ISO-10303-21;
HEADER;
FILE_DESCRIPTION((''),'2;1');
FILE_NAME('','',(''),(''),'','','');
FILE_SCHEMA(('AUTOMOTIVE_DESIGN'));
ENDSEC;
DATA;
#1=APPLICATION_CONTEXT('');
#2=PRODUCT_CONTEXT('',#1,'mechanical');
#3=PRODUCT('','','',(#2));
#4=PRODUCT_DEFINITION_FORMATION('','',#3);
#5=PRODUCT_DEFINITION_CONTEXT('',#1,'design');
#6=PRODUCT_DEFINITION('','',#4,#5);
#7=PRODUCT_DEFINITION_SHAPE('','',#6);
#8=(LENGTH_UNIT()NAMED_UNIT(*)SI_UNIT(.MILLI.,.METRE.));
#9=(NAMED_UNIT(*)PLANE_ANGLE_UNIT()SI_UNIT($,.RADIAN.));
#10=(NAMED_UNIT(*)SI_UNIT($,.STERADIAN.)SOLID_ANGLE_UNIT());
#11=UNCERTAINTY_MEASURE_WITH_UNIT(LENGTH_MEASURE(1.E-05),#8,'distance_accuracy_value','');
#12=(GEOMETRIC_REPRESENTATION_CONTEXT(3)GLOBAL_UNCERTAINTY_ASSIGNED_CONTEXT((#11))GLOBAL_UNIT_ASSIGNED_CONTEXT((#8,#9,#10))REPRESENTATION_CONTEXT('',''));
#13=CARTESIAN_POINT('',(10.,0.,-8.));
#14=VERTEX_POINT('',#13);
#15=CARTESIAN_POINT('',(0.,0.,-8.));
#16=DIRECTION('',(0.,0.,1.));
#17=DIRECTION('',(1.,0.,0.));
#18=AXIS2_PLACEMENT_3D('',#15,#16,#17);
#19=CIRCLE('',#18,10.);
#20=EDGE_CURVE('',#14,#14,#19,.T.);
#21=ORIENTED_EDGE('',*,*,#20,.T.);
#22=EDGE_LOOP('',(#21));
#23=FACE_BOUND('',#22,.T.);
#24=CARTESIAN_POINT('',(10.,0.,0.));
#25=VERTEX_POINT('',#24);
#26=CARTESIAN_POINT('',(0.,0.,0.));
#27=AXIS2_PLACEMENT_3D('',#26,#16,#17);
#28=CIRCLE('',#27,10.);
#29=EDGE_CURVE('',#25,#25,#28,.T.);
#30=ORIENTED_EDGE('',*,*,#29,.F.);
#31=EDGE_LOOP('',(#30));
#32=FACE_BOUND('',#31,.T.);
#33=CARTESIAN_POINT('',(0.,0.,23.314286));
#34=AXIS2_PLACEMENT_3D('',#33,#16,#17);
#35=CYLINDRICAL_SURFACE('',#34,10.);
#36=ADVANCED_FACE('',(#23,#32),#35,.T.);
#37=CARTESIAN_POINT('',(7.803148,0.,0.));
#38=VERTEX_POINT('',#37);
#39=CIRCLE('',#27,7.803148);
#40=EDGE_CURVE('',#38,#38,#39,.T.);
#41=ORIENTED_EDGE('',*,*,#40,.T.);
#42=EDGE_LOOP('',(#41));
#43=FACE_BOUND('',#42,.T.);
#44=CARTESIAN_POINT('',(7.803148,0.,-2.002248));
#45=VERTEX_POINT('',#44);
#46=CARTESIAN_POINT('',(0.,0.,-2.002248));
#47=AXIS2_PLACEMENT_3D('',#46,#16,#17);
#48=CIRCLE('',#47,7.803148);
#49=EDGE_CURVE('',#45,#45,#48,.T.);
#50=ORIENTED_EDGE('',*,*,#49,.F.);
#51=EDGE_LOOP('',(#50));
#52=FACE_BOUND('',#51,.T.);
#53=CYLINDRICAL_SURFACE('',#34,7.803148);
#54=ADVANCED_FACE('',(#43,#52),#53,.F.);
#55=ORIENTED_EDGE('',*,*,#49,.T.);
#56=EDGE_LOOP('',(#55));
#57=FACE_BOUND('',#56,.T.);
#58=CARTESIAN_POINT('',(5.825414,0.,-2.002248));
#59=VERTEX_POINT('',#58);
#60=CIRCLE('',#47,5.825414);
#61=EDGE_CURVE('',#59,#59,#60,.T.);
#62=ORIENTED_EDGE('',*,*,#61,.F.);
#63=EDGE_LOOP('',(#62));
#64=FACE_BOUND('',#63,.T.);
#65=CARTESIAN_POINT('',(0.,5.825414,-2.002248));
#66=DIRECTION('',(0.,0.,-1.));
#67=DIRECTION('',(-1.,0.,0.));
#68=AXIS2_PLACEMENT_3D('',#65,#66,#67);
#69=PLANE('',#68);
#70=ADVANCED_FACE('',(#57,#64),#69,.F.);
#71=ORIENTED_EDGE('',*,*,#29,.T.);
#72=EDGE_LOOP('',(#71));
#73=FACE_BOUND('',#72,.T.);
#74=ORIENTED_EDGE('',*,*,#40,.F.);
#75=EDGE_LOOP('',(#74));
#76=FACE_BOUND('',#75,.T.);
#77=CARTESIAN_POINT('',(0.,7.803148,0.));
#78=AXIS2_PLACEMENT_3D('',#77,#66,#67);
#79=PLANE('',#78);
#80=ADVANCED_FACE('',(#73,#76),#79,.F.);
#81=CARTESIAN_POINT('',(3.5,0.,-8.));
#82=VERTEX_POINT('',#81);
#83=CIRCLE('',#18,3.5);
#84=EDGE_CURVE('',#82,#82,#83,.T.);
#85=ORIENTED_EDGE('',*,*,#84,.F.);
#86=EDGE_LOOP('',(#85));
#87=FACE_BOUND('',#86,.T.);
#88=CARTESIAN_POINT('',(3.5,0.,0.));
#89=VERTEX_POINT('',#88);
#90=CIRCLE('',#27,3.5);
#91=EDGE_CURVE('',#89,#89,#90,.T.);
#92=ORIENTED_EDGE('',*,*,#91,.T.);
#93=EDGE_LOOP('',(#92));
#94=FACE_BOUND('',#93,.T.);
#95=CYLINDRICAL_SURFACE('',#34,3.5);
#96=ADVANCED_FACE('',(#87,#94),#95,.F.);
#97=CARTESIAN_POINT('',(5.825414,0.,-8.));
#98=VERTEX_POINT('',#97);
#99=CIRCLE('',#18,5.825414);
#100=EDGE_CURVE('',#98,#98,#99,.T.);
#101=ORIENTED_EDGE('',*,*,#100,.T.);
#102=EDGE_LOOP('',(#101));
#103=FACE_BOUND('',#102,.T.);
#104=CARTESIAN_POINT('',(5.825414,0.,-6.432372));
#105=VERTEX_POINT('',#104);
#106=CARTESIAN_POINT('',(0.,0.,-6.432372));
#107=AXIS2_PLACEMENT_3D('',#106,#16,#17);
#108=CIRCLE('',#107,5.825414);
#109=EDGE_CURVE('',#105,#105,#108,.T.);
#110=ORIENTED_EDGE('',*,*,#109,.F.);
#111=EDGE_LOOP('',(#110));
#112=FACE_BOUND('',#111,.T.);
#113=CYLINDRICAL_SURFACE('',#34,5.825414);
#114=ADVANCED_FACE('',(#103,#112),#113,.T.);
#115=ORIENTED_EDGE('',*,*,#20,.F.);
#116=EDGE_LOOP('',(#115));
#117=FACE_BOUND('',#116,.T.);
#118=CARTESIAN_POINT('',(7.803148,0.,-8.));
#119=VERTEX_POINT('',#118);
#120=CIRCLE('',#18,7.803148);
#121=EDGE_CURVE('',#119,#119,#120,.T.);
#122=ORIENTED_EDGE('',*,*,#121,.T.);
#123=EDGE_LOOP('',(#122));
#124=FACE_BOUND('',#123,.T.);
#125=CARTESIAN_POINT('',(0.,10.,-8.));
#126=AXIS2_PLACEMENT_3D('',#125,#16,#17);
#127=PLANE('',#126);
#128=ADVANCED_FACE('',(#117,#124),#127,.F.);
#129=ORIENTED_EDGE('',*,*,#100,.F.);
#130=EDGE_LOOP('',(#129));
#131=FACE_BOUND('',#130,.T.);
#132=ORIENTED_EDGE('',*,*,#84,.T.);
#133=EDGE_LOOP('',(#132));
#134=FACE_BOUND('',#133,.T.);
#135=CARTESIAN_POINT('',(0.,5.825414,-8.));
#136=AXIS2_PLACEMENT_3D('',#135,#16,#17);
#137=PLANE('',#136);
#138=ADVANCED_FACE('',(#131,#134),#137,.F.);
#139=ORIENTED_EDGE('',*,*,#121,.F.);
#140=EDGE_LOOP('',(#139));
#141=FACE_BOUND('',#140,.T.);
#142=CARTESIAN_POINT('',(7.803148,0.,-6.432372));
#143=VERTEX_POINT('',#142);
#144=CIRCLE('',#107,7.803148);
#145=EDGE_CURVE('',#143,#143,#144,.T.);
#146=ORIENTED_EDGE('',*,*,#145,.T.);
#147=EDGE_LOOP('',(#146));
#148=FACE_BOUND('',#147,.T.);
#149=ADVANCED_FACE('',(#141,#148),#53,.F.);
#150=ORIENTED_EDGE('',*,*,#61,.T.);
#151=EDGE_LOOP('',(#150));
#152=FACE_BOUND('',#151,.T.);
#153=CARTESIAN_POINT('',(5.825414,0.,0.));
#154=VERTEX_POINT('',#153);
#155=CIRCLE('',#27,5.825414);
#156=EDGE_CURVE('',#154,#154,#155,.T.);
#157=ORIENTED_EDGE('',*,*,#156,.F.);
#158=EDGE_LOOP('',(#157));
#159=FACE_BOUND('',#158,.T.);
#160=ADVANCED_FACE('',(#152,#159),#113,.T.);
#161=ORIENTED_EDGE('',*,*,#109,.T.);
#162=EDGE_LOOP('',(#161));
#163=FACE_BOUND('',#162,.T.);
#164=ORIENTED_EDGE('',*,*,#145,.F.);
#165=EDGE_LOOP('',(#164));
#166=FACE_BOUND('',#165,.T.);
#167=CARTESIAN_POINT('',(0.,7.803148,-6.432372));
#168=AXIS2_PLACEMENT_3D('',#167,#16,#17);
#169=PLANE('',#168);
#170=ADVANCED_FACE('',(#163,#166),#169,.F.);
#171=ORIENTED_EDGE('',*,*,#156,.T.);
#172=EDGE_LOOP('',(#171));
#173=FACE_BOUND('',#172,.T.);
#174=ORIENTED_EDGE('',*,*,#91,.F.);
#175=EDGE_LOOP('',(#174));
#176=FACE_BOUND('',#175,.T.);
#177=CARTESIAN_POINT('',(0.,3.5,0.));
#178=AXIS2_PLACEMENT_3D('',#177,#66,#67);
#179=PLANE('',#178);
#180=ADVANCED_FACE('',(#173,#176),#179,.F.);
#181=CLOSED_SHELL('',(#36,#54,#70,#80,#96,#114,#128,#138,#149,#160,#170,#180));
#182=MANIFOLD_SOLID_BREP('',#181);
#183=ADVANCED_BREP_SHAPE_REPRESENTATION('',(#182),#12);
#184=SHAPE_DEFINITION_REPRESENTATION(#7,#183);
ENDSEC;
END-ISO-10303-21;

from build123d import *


with BuildPart() as part:
    # Эскиз2 → Повернуть1 (revolve)
    with BuildSketch(Plane(origin=(0, 0, 0), x_dir=(0, 0, -1), z_dir=(1, 0, 0))):
        Polygon((0, 10), (8, 10), (8, 7.80314821), (6.432371813, 7.80314821), (6.432371813, 5.825414178), (8, 5.825414178), (8, 3.5), (0, 3.5), (0, 5.825414178), (2.002247581, 5.825414178), (2.002247581, 7.80314821), (0, 7.80314821), align=None)
    revolve(axis=Axis((0, 0, 23.314285714), (0, 0, -1)))


solid = part.part
